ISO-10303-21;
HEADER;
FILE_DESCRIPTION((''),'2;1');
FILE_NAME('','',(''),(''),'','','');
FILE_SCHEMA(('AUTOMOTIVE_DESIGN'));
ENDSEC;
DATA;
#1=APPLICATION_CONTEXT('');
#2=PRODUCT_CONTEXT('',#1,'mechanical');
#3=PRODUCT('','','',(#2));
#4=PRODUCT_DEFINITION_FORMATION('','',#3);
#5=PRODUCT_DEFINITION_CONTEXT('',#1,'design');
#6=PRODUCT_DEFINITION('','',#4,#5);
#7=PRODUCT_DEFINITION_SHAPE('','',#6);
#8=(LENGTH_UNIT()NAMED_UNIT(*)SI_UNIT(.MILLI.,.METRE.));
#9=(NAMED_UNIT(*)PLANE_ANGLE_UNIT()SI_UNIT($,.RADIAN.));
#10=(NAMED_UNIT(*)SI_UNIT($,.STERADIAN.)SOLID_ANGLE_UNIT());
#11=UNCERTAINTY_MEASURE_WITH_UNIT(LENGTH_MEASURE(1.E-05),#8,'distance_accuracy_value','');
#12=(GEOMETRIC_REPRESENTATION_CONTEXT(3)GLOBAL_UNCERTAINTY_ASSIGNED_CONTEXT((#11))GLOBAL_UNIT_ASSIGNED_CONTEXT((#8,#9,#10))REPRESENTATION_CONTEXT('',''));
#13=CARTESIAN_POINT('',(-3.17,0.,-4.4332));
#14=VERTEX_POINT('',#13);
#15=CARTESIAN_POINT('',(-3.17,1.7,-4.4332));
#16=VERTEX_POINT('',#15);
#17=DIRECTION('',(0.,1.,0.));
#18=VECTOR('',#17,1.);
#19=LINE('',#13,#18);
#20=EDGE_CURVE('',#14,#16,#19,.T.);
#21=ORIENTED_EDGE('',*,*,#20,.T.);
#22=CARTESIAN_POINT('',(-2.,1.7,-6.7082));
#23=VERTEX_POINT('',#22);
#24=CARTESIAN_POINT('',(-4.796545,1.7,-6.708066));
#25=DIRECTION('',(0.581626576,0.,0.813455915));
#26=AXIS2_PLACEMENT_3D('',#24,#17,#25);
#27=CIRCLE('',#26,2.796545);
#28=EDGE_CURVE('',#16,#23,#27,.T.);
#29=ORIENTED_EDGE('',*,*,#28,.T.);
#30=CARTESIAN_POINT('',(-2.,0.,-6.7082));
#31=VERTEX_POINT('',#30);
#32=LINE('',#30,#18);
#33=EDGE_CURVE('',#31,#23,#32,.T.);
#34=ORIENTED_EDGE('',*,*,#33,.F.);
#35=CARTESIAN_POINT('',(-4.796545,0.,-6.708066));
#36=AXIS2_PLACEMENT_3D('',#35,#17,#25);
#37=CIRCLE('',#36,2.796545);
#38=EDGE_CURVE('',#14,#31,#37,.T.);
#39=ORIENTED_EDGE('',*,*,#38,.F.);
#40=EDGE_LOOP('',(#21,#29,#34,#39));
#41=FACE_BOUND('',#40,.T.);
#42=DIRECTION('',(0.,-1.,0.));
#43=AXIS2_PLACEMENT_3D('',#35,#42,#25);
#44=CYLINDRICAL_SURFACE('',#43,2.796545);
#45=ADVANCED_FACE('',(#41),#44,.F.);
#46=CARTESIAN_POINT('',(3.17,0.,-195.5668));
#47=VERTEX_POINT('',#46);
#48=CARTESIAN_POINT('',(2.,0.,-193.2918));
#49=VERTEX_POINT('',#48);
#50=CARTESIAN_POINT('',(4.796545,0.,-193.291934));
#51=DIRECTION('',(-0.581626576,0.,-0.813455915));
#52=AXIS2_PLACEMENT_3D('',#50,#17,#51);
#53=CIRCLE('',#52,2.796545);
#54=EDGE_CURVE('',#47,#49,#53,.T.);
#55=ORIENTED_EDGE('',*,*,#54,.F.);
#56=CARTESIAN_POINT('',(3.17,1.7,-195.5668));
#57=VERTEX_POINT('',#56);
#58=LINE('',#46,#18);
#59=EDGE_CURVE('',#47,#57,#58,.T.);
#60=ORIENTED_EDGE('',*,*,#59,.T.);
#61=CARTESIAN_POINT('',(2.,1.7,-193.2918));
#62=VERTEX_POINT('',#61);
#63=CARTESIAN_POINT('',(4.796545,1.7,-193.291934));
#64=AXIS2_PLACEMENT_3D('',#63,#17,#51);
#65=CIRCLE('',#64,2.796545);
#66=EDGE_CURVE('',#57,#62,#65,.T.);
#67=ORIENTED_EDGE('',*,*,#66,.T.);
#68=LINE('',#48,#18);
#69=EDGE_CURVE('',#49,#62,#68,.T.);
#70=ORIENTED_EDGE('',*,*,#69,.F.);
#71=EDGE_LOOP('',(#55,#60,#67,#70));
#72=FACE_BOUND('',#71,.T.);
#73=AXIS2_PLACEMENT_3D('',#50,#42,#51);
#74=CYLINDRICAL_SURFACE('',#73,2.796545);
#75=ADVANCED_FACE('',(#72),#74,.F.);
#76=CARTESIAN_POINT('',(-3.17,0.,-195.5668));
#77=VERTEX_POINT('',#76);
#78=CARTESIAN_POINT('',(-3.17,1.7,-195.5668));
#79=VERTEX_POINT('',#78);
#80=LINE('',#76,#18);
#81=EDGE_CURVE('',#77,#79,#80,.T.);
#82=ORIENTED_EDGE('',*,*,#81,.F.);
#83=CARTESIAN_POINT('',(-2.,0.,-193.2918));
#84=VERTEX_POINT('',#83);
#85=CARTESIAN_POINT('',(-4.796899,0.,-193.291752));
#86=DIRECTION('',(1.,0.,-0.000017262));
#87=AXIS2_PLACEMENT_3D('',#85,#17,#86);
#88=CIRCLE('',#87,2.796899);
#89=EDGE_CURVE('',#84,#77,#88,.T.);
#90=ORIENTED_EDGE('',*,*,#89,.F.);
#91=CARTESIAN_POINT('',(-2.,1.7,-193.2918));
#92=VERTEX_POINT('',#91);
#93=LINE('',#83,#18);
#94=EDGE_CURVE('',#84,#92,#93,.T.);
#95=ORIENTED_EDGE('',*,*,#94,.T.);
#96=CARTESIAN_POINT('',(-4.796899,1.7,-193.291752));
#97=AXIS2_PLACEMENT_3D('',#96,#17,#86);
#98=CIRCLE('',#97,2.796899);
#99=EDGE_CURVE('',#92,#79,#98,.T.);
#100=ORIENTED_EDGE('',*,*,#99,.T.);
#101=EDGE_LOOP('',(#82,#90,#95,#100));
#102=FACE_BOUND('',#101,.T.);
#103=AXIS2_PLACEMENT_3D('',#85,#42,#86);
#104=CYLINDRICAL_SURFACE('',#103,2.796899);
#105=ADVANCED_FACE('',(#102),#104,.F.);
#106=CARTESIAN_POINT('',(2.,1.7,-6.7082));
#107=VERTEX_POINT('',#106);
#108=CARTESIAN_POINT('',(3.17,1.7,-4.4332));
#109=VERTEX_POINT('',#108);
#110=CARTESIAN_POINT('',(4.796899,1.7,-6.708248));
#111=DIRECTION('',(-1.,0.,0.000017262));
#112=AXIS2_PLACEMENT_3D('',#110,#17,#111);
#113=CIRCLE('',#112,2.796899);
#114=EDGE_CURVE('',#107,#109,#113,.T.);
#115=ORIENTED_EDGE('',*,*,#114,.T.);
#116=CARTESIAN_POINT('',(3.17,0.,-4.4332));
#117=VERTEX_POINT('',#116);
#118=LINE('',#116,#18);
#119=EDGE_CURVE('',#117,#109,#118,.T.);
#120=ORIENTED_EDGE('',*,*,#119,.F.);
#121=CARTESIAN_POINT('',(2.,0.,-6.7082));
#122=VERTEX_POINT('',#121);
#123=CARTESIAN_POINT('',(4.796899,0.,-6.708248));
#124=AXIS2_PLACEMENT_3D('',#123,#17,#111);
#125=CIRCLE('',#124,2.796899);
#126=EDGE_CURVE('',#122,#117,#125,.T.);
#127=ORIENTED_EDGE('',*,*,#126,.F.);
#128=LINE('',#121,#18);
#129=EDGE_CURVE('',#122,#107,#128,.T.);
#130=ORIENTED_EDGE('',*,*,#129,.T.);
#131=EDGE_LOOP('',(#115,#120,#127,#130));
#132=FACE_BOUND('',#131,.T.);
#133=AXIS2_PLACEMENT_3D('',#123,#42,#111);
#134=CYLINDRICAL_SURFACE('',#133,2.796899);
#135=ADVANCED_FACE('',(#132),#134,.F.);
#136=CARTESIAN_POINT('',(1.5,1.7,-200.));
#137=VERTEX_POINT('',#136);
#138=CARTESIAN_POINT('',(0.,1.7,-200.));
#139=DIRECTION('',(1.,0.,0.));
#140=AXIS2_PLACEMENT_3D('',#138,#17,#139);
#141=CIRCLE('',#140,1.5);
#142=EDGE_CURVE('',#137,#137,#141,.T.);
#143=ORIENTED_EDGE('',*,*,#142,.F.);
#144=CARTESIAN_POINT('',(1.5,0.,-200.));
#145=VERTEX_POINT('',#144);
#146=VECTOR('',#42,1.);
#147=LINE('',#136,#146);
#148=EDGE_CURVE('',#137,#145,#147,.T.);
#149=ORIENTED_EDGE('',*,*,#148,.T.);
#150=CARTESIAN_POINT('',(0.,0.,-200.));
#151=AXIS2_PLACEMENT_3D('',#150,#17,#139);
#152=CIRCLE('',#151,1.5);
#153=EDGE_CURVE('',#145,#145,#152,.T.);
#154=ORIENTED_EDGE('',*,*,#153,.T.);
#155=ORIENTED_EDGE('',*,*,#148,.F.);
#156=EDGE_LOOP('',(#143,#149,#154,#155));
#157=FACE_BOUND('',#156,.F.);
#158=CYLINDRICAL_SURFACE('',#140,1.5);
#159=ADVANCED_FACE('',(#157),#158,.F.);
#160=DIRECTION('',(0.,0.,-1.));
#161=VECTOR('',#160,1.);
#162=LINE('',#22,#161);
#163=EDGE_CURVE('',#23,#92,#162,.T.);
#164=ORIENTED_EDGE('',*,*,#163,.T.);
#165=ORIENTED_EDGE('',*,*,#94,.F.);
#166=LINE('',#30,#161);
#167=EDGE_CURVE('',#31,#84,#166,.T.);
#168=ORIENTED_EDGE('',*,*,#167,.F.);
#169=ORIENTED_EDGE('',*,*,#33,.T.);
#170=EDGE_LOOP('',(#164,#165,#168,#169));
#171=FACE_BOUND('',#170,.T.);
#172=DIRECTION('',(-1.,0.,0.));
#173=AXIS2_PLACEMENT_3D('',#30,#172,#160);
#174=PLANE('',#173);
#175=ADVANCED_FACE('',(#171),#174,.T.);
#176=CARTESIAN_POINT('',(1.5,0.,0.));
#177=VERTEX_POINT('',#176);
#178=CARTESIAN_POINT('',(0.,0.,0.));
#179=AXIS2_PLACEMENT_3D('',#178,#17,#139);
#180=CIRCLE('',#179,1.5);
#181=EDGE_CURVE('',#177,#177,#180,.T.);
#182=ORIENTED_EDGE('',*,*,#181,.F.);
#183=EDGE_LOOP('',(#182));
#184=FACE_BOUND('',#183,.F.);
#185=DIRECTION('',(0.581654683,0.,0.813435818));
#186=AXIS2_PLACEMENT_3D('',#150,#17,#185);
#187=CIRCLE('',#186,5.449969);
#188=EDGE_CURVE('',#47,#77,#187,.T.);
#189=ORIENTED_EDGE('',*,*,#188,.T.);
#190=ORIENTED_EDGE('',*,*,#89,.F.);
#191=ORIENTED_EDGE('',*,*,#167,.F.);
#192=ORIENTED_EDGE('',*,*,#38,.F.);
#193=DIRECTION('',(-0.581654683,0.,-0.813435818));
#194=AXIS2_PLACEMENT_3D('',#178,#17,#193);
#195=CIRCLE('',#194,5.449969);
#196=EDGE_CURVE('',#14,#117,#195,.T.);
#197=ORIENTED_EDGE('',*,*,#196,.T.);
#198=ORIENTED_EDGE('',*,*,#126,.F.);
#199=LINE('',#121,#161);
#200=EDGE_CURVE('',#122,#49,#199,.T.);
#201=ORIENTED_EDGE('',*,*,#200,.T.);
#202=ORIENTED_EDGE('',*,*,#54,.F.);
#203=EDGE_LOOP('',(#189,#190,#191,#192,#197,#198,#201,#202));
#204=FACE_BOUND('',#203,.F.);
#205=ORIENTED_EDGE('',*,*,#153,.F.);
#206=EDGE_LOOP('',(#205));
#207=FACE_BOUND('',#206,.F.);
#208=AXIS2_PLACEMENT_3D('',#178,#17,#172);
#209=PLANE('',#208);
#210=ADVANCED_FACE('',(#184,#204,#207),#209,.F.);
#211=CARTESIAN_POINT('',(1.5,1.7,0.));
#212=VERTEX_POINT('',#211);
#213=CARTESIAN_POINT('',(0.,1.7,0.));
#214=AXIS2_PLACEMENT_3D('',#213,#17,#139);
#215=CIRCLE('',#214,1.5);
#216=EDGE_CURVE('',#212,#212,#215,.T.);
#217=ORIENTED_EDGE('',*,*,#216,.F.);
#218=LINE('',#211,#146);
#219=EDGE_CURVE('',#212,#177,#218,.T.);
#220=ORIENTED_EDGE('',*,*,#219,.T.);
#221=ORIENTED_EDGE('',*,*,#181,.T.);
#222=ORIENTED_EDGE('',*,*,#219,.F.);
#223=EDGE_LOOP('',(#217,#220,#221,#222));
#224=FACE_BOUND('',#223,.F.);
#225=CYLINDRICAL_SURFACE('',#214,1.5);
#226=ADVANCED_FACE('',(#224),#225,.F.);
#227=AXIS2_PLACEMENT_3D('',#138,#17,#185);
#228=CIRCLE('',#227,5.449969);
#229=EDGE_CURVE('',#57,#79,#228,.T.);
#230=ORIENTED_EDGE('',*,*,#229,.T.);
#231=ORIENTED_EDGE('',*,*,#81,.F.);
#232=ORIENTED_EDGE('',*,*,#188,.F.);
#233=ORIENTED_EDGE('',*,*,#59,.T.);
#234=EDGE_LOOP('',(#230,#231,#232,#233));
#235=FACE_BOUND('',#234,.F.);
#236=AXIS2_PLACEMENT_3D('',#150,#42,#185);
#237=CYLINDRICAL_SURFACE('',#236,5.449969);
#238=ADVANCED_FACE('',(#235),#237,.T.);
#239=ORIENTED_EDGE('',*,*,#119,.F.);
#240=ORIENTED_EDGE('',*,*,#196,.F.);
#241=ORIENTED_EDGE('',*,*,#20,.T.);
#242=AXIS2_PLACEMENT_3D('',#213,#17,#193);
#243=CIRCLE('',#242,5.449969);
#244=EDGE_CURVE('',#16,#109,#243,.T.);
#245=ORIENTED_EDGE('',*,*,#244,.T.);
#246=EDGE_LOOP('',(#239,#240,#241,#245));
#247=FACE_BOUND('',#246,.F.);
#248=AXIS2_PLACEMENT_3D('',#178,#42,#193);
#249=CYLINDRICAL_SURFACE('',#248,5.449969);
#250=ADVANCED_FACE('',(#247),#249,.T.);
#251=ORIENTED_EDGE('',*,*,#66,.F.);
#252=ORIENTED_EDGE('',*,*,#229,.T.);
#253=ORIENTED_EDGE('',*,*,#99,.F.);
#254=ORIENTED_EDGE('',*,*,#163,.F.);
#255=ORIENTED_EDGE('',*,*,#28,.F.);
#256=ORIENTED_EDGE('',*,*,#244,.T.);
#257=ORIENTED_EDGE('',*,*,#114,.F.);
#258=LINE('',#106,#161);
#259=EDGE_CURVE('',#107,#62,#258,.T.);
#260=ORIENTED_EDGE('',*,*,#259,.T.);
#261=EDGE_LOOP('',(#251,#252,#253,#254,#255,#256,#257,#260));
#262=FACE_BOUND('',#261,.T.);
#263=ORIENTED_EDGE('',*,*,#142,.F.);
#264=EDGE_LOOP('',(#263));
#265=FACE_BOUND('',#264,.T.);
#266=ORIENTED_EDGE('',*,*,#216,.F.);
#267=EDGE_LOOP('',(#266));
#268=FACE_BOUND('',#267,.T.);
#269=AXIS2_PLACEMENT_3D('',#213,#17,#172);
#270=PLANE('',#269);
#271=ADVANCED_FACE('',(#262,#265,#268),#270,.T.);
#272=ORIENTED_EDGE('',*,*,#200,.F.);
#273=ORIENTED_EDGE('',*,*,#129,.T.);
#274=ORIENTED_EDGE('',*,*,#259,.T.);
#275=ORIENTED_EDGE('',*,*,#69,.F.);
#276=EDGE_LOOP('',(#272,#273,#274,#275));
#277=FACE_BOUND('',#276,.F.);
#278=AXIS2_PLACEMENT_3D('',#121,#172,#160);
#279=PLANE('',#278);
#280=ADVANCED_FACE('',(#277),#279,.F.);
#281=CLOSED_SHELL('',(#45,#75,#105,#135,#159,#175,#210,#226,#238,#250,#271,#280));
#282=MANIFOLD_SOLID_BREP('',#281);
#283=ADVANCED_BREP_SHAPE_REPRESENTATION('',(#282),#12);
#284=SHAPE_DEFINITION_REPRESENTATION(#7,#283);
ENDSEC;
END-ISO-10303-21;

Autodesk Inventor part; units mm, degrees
ref_plane "YZ Plane" through (0, 0, 0) normal (1, 0, 0) x (0, 1, 0)
ref_plane "XZ Plane" through (0, 0, 0) normal (0, 1, 0) x (-1, 0, 0)
ref_plane "XY Plane" through (0, 0, 0) normal (0, 0, 1) x (1, 0, 0)
sketch "Sketch1" plane through (0, 0, 0) normal (0, 1, 0) x (-1, 0, 0)
  arc A0 (3.17, -4.4332) -> (-3.17, -4.4332) centre (0, 0) ccw
  line L0 (2, -6.7082) -> (2, -193.2918)
  line L1 (-2, -6.7082) -> (-2, -193.2918)
  arc A1 (3.17, -4.4332) -> (2, -6.7082) centre (4.7967, -6.7082) ccw
  arc A2 (-2, -6.7082) -> (-3.17, -4.4332) centre (-4.7967, -6.7082) ccw
  arc A3 (-3.17, -195.5668) -> (3.17, -195.5668) centre (0, -200) ccw
  arc A4 (2, -193.2918) -> (3.17, -195.5668) centre (4.7967, -193.2918) ccw
  arc A5 (-3.17, -195.5668) -> (-2, -193.2918) centre (-4.7967, -193.2918) ccw
  dimension "d0" = 10.9
  dimension "d2" = 4
  dimension "d3" = 2
  dimension "d4" = 10.9
  dimension "d5" = 2
  dimension "d6" = 0
  dimension "d7" = 200
  dimension "d8" = 7
  dimension "d9" = 7
  dimension "d10" = 0
extrude "Extrusion1" add sketch "Sketch1" along normal blind 1.7
sketch "Sketch2" plane through (0, 1.7, 0) normal (0, 1, 0) x (1, 0, 0)
  circle A0 centre (0, 0) radius 1.5
  arc A1 (3.17, 195.5668) -> (-3.17, 195.5668) centre (0, 200) ccw projected
  circle A2 centre (0, 200) radius 1.5
  dimension "d13" = 3
  dimension "d14" = 3
extrude "Extrusion2" cut sketch "Sketch2" against normal blind 1.7
equation "\"BendRadius\" = Thickness"
equation "\"BendReliefWidth\" = Thickness"
equation "\"BendReliefDepth\" = 0.5 * Thickness"
equation "\"CornerReliefSize\" = 4 * Thickness"
equation "\"MinimumRemnant\" = 2 * Thickness"
equation "\"TransitionRadius\" = BendRadius"
equation "\"JacobiRadiusSize\" = BendRadius"
equation "\"GapSize\" = Thickness"
equation "\"Thickness\" = 3.048"
properties part number "A2P3"
